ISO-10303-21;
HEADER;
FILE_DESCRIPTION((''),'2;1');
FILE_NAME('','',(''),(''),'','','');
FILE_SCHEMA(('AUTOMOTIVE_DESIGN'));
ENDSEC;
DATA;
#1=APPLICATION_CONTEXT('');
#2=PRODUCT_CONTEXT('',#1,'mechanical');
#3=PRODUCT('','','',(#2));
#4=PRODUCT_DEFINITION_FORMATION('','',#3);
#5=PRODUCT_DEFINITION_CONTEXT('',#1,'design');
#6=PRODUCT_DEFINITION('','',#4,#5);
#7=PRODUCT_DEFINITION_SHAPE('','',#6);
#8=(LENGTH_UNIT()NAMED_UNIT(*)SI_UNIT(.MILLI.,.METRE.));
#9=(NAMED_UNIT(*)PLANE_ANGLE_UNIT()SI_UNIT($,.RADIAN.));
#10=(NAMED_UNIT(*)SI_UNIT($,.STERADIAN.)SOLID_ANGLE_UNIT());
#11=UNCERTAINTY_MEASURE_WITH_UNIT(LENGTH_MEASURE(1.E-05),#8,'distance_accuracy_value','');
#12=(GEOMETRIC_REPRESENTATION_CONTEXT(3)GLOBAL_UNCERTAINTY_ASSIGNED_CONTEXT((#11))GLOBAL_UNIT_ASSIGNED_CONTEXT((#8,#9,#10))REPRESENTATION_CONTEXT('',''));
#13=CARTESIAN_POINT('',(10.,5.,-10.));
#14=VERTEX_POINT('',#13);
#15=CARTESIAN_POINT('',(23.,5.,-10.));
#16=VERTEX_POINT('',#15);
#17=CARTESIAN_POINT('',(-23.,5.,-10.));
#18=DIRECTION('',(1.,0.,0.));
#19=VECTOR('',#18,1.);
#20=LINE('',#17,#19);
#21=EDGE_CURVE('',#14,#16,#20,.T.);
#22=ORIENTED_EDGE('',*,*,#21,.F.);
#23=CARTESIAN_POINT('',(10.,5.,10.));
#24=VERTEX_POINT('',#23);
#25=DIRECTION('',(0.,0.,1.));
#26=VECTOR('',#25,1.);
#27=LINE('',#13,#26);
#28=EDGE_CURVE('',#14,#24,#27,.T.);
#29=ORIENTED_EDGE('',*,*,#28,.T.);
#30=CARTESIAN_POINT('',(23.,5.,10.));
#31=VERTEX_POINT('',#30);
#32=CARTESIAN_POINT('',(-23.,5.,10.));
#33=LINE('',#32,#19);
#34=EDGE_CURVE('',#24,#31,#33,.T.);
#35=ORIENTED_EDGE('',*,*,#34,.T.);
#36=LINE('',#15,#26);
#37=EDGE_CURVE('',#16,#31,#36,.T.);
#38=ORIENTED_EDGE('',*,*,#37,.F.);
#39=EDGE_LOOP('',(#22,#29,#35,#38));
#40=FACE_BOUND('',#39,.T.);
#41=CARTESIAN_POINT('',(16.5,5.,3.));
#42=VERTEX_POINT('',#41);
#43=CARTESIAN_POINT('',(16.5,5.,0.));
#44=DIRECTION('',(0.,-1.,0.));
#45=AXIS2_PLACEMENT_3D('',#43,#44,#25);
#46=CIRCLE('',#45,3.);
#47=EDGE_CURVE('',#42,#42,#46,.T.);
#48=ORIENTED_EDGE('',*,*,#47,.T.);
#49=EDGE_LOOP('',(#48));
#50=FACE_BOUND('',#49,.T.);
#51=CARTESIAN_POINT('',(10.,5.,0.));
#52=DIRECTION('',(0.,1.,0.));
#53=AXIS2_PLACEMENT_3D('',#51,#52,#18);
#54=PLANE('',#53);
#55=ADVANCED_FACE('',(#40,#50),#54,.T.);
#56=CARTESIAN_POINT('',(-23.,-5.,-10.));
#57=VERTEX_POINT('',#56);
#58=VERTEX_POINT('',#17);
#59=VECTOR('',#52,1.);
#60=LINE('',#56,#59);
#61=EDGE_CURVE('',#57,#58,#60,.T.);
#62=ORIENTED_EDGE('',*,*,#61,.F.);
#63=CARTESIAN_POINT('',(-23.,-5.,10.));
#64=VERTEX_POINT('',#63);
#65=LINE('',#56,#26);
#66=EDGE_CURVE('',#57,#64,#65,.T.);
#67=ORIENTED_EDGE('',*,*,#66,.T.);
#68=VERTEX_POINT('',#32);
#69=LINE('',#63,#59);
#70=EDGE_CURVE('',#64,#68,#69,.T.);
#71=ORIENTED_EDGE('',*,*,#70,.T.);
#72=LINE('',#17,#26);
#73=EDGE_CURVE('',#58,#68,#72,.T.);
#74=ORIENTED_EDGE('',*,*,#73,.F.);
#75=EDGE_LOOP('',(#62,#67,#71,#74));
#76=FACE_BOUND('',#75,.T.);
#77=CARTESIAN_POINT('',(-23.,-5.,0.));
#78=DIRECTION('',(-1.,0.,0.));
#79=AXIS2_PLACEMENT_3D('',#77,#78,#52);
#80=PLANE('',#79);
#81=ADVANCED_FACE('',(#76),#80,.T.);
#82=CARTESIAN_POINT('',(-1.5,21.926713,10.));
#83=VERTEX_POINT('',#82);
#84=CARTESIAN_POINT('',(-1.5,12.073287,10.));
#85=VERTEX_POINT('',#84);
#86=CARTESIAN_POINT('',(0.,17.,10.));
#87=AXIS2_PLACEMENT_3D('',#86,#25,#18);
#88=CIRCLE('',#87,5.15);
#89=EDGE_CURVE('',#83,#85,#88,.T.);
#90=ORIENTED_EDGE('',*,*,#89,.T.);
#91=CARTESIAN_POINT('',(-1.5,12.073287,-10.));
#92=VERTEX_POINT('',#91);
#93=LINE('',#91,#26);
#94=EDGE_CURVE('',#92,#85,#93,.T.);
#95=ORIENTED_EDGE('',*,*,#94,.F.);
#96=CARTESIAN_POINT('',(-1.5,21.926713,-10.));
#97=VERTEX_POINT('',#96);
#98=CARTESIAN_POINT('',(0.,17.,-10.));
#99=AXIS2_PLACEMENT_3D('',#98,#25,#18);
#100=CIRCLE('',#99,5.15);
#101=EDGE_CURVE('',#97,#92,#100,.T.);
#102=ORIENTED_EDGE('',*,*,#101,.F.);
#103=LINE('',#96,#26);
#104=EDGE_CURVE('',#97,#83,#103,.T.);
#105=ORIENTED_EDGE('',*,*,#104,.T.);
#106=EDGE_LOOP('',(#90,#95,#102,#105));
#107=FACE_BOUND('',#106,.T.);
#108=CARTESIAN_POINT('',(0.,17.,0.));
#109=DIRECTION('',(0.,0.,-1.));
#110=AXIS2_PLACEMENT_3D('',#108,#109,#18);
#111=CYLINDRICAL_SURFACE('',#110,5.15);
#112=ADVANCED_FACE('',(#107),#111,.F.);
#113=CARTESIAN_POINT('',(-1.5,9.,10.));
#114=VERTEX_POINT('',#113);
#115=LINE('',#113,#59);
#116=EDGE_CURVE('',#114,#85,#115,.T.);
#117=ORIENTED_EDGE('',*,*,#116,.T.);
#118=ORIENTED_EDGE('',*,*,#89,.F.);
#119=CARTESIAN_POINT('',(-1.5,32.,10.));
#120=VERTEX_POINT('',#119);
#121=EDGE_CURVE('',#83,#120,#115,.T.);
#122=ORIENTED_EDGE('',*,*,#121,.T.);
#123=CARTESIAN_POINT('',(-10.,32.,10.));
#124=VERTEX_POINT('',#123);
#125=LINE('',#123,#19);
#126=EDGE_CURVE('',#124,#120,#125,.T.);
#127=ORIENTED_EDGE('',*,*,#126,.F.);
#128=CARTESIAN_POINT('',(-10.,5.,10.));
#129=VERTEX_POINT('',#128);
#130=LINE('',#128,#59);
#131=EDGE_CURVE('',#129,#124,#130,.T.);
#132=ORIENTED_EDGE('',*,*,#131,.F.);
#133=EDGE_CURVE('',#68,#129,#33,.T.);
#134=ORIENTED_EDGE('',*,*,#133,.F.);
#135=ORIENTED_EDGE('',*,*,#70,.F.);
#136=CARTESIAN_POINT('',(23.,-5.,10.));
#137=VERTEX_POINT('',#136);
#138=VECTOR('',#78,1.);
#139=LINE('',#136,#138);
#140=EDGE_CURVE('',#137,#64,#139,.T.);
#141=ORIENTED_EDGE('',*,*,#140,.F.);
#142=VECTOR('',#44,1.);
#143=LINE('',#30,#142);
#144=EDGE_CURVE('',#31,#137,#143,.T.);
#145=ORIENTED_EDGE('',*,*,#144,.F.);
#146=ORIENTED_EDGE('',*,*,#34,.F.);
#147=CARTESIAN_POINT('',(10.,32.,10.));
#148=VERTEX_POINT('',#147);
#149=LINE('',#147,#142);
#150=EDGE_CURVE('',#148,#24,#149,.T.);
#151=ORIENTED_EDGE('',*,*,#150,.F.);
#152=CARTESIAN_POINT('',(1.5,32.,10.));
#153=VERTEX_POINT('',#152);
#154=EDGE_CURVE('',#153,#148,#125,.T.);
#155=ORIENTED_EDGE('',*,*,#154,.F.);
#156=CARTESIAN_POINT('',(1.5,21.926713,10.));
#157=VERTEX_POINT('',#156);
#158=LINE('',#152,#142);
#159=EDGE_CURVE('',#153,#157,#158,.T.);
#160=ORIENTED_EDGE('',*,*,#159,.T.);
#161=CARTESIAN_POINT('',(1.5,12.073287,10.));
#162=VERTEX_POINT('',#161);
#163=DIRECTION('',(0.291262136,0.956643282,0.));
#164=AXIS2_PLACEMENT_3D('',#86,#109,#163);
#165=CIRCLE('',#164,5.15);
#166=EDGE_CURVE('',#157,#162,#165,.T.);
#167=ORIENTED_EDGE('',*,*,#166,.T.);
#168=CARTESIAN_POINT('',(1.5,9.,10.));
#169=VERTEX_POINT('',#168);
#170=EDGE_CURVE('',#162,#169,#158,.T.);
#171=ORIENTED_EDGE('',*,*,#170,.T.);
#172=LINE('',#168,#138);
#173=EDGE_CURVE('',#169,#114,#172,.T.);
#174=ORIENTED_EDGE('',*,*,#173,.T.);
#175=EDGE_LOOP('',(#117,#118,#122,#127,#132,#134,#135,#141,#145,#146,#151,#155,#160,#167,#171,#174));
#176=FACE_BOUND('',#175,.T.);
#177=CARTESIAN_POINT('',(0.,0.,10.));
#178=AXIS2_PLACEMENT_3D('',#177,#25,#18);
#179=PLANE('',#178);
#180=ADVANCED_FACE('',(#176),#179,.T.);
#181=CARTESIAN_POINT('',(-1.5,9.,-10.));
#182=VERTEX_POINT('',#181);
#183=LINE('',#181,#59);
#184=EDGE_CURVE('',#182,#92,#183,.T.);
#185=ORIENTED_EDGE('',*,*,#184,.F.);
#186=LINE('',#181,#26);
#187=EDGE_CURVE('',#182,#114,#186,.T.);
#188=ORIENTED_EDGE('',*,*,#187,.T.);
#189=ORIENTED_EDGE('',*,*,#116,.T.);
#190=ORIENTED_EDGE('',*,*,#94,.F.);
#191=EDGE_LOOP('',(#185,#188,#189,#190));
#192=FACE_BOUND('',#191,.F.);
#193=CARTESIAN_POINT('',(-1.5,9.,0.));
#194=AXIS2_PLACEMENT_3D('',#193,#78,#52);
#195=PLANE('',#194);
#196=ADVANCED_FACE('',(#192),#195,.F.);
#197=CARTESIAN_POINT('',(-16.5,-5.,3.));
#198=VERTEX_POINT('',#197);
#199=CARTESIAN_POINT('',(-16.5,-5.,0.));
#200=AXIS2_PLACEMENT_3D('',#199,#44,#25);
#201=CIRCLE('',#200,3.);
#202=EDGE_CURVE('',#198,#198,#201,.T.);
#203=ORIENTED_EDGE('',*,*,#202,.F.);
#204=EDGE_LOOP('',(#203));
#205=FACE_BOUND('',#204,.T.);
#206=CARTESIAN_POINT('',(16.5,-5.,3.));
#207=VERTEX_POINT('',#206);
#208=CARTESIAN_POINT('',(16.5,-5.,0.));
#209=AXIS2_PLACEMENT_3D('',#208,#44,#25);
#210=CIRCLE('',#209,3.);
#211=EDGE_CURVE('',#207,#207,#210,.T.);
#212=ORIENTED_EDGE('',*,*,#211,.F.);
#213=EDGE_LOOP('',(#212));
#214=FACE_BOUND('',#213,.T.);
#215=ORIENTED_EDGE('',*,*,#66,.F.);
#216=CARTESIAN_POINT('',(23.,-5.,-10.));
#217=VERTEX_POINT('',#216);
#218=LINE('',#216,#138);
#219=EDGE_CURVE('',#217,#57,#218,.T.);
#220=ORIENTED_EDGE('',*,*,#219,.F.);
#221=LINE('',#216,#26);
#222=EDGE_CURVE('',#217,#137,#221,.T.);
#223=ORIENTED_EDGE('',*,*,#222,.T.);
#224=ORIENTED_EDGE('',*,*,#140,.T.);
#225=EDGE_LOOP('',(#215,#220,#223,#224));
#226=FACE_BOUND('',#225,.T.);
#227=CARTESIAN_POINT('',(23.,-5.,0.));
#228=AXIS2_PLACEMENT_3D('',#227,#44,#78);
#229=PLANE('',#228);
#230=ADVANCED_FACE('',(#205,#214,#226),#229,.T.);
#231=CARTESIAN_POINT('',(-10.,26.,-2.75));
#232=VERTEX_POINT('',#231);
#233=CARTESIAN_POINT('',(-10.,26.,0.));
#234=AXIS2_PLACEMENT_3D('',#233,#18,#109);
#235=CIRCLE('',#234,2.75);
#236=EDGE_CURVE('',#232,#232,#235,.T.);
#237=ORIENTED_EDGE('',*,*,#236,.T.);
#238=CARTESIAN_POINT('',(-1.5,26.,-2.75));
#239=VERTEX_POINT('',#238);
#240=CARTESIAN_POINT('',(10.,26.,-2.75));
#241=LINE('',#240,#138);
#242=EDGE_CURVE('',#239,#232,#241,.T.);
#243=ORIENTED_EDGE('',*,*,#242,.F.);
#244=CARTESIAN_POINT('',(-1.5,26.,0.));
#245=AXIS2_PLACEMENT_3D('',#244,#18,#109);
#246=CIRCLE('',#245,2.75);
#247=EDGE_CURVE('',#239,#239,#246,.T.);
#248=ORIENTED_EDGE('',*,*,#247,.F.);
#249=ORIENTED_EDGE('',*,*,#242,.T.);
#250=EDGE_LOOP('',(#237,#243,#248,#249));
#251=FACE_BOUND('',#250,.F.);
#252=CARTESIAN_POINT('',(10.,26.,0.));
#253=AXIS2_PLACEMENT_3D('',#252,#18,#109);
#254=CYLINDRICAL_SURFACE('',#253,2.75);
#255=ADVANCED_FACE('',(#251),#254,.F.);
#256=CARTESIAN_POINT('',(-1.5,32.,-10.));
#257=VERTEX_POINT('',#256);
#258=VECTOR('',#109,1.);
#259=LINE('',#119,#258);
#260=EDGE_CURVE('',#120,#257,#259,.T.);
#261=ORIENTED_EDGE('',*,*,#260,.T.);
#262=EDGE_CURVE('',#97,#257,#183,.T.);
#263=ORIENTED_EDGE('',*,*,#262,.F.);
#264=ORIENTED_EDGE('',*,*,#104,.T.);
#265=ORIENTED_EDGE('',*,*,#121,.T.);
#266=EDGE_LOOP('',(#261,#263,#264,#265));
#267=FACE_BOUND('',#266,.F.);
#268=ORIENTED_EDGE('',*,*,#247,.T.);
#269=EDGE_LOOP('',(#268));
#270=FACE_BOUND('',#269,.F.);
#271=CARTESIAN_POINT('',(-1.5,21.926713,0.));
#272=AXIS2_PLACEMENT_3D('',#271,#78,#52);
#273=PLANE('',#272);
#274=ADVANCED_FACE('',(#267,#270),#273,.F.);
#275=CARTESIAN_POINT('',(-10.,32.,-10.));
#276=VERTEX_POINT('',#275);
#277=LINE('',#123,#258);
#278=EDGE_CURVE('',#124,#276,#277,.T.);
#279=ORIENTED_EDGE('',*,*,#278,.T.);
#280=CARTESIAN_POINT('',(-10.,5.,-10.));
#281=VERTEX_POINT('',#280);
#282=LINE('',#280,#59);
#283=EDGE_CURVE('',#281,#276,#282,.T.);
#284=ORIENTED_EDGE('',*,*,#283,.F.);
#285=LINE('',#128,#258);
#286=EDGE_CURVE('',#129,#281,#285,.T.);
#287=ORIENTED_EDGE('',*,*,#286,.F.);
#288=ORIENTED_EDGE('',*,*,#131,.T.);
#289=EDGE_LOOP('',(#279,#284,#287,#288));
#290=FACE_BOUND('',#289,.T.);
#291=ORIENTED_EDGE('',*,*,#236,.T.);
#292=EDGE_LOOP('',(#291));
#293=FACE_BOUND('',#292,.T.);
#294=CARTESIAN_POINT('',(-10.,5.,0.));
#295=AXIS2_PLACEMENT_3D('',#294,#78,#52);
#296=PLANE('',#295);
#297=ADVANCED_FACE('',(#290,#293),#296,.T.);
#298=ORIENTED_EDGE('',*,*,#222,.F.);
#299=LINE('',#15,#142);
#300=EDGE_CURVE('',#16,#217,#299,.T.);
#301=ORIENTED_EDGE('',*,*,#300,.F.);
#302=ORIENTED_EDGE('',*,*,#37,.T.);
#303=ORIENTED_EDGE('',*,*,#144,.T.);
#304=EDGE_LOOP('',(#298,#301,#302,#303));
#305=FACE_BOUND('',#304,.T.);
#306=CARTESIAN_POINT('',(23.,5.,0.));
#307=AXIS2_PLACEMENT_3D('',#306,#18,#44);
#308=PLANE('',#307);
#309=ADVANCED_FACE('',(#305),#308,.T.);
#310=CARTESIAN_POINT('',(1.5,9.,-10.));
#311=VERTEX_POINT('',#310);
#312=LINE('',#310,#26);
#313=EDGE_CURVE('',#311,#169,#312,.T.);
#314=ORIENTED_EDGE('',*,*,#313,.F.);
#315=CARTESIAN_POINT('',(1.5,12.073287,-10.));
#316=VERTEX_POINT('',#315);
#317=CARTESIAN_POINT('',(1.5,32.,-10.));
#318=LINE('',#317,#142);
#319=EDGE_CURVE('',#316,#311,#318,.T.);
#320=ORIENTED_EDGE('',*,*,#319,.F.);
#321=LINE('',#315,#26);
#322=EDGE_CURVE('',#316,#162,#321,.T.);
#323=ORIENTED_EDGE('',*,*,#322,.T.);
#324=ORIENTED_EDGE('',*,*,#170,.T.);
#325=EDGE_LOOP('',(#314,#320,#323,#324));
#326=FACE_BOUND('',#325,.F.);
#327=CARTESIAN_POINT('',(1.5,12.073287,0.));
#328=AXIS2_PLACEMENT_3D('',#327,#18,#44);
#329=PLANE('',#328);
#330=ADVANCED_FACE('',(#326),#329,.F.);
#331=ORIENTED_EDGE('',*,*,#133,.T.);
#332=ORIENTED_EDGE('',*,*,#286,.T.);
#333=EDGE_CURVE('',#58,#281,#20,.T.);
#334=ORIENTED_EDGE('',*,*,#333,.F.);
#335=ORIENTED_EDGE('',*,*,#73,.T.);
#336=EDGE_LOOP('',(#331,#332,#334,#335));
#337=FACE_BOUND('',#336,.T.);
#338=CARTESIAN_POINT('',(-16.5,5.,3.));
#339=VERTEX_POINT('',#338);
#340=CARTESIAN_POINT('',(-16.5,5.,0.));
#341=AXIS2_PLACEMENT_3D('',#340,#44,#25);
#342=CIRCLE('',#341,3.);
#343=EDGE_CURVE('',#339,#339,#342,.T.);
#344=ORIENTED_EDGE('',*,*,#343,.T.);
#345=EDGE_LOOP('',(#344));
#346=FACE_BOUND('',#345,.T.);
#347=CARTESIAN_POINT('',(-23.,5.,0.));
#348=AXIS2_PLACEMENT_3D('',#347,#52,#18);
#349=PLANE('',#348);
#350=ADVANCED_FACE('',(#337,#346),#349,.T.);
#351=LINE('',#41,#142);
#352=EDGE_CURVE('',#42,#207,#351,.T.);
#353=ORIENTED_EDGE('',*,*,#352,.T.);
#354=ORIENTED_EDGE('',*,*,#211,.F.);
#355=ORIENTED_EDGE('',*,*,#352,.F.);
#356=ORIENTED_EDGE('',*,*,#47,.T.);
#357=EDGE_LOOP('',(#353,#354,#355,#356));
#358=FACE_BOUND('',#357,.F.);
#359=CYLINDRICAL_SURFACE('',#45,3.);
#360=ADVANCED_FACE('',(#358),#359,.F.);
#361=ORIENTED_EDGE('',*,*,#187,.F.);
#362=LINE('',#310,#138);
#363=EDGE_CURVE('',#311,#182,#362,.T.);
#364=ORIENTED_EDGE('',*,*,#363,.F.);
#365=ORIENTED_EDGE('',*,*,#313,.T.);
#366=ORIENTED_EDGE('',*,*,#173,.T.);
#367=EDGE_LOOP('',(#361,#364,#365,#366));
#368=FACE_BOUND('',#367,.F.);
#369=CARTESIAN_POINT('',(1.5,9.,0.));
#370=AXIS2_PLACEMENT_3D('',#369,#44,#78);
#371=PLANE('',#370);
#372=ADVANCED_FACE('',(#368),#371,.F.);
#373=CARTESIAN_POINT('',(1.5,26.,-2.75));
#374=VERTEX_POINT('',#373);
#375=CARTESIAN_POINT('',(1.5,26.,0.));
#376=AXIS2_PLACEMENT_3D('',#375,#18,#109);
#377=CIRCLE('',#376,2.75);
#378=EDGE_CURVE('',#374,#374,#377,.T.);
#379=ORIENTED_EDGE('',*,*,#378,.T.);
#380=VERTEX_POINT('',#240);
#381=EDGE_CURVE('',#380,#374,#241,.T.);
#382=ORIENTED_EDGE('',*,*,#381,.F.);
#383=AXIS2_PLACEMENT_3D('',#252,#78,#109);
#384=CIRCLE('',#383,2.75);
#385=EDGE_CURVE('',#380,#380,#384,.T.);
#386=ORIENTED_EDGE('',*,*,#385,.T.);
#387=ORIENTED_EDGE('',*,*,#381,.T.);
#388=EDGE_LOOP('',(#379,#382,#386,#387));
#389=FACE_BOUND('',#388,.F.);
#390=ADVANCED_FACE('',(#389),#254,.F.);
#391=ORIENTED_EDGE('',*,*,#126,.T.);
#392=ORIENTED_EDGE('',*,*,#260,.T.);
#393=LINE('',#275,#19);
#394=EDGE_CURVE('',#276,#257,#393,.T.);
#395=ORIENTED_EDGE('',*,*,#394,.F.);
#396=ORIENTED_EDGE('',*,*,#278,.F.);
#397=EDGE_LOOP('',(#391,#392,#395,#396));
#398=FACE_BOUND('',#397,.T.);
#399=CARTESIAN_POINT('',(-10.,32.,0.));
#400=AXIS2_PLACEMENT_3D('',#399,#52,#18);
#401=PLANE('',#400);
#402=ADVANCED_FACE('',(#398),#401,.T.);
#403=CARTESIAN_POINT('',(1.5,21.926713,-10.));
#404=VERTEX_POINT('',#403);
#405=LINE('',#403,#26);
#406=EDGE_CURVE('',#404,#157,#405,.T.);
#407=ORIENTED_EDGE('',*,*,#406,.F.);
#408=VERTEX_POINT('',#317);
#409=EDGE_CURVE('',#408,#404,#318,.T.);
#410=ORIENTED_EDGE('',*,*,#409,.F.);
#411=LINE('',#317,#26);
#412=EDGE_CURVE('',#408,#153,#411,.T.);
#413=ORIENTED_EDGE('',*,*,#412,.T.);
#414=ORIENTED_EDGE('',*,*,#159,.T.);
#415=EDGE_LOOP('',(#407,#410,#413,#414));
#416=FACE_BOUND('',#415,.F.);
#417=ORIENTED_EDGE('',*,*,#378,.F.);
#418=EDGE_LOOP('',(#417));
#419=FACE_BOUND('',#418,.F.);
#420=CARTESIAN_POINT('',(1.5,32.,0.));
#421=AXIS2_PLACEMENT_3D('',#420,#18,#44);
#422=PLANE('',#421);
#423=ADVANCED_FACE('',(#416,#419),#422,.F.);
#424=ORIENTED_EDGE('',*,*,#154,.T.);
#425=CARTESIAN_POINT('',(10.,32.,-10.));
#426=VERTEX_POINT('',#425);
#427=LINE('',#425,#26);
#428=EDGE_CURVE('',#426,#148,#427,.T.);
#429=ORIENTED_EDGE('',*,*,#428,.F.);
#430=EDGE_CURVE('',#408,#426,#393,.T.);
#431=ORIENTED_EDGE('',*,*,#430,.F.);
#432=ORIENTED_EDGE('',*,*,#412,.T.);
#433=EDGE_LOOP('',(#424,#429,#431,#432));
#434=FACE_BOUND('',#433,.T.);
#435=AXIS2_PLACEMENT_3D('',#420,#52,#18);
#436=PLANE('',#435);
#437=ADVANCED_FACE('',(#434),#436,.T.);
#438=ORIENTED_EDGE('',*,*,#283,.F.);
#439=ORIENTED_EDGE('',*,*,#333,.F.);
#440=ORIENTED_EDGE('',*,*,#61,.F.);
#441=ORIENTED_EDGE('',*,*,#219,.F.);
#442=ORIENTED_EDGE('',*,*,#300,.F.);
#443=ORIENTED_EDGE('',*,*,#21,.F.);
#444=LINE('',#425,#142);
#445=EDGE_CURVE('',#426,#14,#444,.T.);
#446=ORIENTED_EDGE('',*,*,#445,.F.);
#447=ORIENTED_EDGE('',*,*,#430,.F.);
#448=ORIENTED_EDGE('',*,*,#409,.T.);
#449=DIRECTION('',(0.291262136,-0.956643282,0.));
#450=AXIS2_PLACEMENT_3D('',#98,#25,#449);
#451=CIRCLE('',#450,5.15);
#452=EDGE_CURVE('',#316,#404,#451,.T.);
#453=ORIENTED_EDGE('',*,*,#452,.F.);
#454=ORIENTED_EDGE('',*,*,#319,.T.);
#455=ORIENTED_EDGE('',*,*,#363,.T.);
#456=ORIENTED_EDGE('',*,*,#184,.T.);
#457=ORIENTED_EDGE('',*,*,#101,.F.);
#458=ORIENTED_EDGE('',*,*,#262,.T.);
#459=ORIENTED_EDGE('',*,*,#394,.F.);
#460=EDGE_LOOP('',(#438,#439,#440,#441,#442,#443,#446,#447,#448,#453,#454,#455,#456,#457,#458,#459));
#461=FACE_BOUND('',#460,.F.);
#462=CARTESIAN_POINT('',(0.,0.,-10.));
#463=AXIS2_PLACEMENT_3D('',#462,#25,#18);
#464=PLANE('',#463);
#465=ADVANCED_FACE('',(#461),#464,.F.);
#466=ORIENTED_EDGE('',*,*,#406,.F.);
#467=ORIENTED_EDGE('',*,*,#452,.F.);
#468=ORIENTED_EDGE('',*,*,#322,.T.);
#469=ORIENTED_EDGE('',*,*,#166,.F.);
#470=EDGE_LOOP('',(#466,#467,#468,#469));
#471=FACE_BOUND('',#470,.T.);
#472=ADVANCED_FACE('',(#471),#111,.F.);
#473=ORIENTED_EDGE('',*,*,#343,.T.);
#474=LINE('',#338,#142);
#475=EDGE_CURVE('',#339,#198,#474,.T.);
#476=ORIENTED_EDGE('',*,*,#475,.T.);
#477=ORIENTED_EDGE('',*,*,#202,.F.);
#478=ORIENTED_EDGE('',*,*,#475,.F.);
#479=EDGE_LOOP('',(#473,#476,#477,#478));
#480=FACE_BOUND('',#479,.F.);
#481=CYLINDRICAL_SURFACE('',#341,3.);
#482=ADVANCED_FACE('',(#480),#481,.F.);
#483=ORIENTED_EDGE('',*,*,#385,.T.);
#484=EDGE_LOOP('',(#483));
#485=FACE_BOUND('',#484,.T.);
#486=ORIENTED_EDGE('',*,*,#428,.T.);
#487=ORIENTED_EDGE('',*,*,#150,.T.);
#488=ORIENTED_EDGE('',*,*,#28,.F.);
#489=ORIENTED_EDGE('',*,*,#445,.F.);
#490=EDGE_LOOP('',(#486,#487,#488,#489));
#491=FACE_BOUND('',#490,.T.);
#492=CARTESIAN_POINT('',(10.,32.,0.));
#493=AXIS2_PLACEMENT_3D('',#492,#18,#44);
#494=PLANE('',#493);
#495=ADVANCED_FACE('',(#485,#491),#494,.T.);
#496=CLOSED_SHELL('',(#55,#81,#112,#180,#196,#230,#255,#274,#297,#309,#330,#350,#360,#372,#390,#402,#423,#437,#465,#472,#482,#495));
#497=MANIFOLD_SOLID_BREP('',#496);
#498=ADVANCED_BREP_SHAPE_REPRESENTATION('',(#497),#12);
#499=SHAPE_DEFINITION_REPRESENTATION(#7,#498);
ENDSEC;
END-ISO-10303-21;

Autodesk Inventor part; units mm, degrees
ref_plane "YZ Plane" through (0, 0, 0) normal (1, 0, 0) x (0, 1, 0)
ref_plane "XZ Plane" through (0, 0, 0) normal (0, 1, 0) x (-1, 0, 0)
ref_plane "XY Plane" through (0, 0, 0) normal (0, 0, 1) x (1, 0, 0)
sketch "Sketch1" plane through (0, 0, 0) normal (0, 0, 1) x (1, 0, 0)
  line L0 (-23, 5) -> (23, 5)
  line L1 (23, 5) -> (23, -5)
  line L2 (23, -5) -> (-23, -5)
  line L3 (-23, -5) -> (-23, 5)
  line L4 (-10, 32) -> (10, 32)
  line L5 (10, 32) -> (10, 5)
  line L6 (10, 5) -> (-10, 5)
  line L7 (-10, 5) -> (-10, 32)
  circle A0 centre (0, 17) radius 5.15
  line L8 (-1.5, 32) -> (1.5, 32)
  line L9 (1.5, 32) -> (1.5, 9)
  line L10 (1.5, 9) -> (-1.5, 9)
  line L11 (-1.5, 9) -> (-1.5, 32)
  point P0 (0, 0)
  point P1 (-23, 0)
  point P2 (0, 5)
  point P3 (0, 32)
  point P4 (0, 32)
  point P5 (-1.5, 12.0733)
  point P6 (-1.5, 21.9267)
  point P7 (-1.5, 32)
  point P8 (-10, 5)
  point P9 (10, 5)
  point P10 (1.5, 32)
  point P11 (1.5, 21.9267)
  point P12 (1.5, 12.0733)
  dimension "d0" = 10
  dimension "d1" = 20
  dimension "d2" = 10.3
  dimension "d3" = 12
  dimension "d4" = 15
  dimension "d5" = 3
  dimension "d6" = 8
  dimension "d7" = 13
extrude "Extrusion1" add sketch "Sketch1" along normal mid plane 20 contours L0 L1 L2 L3 | L7 L4 L11 A0 L10 L9 L5 L0
sketch "Sketch2" plane through (10, 5, 10) normal (0, 1, 0) x (1, 0, 0)
  line L0 (0, 20) -> (13, 20) projected
  line L1 (-33, 20) -> (-20, 20) projected
  line L2 (-33, 20) -> (-33, 0) projected
  line L3 (13, 20) -> (13, 0) projected
  point P0 (-10, 10)
  point P1 (-26.5, 10)
  point P2 (6.5, 10)
  point P3 (6.5, 20)
  point P4 (-26.5, 20)
  point P5 (-33, 10)
  point P6 (13, 10)
hole "Hole1" at (-16.5, 5, 0) at (16.5, 5, 0) direction (0, -1, 0) diameter 6 end through all
sketch "Sketch3" plane through (10, 5, 10) normal (1, 0, 0) x (0, 0, -1)
  line L0 (20, 27) -> (0, 27) projected
  circle A0 centre (10, 21) radius 2.75
  line L1 (20, 27) -> (0, 27) projected
  line L2 (0, 27) -> (8, 27)
  line L3 (8, 27) -> (8, 0)
  line L4 (8, 0) -> (0, 0)
  line L5 (0, 0) -> (0, 27)
  line L6 (20, 0) -> (0, 0) projected
  line L7 (12, 27) -> (20, 27)
  line L8 (20, 27) -> (20, 0)
  line L9 (20, 0) -> (12, 0)
  line L10 (12, 0) -> (12, 27)
  line L11 (20, 27) -> (20, 0) projected
  point P0 (10, -5)
  point P1 (10, 27)
  point P2 (12, 0)
  dimension "d17" = 6
  dimension "d18" = 5.5
  dimension "d19" = 8
  dimension "d21" = 8
extrude "Extrusion2" cut sketch "Sketch3" against normal through all contours L10 A0 L3 | A0 L10 | L3 A0
equation "\"d21\" = d19"
properties part number "0008-10-019 Suport Axa Y"
